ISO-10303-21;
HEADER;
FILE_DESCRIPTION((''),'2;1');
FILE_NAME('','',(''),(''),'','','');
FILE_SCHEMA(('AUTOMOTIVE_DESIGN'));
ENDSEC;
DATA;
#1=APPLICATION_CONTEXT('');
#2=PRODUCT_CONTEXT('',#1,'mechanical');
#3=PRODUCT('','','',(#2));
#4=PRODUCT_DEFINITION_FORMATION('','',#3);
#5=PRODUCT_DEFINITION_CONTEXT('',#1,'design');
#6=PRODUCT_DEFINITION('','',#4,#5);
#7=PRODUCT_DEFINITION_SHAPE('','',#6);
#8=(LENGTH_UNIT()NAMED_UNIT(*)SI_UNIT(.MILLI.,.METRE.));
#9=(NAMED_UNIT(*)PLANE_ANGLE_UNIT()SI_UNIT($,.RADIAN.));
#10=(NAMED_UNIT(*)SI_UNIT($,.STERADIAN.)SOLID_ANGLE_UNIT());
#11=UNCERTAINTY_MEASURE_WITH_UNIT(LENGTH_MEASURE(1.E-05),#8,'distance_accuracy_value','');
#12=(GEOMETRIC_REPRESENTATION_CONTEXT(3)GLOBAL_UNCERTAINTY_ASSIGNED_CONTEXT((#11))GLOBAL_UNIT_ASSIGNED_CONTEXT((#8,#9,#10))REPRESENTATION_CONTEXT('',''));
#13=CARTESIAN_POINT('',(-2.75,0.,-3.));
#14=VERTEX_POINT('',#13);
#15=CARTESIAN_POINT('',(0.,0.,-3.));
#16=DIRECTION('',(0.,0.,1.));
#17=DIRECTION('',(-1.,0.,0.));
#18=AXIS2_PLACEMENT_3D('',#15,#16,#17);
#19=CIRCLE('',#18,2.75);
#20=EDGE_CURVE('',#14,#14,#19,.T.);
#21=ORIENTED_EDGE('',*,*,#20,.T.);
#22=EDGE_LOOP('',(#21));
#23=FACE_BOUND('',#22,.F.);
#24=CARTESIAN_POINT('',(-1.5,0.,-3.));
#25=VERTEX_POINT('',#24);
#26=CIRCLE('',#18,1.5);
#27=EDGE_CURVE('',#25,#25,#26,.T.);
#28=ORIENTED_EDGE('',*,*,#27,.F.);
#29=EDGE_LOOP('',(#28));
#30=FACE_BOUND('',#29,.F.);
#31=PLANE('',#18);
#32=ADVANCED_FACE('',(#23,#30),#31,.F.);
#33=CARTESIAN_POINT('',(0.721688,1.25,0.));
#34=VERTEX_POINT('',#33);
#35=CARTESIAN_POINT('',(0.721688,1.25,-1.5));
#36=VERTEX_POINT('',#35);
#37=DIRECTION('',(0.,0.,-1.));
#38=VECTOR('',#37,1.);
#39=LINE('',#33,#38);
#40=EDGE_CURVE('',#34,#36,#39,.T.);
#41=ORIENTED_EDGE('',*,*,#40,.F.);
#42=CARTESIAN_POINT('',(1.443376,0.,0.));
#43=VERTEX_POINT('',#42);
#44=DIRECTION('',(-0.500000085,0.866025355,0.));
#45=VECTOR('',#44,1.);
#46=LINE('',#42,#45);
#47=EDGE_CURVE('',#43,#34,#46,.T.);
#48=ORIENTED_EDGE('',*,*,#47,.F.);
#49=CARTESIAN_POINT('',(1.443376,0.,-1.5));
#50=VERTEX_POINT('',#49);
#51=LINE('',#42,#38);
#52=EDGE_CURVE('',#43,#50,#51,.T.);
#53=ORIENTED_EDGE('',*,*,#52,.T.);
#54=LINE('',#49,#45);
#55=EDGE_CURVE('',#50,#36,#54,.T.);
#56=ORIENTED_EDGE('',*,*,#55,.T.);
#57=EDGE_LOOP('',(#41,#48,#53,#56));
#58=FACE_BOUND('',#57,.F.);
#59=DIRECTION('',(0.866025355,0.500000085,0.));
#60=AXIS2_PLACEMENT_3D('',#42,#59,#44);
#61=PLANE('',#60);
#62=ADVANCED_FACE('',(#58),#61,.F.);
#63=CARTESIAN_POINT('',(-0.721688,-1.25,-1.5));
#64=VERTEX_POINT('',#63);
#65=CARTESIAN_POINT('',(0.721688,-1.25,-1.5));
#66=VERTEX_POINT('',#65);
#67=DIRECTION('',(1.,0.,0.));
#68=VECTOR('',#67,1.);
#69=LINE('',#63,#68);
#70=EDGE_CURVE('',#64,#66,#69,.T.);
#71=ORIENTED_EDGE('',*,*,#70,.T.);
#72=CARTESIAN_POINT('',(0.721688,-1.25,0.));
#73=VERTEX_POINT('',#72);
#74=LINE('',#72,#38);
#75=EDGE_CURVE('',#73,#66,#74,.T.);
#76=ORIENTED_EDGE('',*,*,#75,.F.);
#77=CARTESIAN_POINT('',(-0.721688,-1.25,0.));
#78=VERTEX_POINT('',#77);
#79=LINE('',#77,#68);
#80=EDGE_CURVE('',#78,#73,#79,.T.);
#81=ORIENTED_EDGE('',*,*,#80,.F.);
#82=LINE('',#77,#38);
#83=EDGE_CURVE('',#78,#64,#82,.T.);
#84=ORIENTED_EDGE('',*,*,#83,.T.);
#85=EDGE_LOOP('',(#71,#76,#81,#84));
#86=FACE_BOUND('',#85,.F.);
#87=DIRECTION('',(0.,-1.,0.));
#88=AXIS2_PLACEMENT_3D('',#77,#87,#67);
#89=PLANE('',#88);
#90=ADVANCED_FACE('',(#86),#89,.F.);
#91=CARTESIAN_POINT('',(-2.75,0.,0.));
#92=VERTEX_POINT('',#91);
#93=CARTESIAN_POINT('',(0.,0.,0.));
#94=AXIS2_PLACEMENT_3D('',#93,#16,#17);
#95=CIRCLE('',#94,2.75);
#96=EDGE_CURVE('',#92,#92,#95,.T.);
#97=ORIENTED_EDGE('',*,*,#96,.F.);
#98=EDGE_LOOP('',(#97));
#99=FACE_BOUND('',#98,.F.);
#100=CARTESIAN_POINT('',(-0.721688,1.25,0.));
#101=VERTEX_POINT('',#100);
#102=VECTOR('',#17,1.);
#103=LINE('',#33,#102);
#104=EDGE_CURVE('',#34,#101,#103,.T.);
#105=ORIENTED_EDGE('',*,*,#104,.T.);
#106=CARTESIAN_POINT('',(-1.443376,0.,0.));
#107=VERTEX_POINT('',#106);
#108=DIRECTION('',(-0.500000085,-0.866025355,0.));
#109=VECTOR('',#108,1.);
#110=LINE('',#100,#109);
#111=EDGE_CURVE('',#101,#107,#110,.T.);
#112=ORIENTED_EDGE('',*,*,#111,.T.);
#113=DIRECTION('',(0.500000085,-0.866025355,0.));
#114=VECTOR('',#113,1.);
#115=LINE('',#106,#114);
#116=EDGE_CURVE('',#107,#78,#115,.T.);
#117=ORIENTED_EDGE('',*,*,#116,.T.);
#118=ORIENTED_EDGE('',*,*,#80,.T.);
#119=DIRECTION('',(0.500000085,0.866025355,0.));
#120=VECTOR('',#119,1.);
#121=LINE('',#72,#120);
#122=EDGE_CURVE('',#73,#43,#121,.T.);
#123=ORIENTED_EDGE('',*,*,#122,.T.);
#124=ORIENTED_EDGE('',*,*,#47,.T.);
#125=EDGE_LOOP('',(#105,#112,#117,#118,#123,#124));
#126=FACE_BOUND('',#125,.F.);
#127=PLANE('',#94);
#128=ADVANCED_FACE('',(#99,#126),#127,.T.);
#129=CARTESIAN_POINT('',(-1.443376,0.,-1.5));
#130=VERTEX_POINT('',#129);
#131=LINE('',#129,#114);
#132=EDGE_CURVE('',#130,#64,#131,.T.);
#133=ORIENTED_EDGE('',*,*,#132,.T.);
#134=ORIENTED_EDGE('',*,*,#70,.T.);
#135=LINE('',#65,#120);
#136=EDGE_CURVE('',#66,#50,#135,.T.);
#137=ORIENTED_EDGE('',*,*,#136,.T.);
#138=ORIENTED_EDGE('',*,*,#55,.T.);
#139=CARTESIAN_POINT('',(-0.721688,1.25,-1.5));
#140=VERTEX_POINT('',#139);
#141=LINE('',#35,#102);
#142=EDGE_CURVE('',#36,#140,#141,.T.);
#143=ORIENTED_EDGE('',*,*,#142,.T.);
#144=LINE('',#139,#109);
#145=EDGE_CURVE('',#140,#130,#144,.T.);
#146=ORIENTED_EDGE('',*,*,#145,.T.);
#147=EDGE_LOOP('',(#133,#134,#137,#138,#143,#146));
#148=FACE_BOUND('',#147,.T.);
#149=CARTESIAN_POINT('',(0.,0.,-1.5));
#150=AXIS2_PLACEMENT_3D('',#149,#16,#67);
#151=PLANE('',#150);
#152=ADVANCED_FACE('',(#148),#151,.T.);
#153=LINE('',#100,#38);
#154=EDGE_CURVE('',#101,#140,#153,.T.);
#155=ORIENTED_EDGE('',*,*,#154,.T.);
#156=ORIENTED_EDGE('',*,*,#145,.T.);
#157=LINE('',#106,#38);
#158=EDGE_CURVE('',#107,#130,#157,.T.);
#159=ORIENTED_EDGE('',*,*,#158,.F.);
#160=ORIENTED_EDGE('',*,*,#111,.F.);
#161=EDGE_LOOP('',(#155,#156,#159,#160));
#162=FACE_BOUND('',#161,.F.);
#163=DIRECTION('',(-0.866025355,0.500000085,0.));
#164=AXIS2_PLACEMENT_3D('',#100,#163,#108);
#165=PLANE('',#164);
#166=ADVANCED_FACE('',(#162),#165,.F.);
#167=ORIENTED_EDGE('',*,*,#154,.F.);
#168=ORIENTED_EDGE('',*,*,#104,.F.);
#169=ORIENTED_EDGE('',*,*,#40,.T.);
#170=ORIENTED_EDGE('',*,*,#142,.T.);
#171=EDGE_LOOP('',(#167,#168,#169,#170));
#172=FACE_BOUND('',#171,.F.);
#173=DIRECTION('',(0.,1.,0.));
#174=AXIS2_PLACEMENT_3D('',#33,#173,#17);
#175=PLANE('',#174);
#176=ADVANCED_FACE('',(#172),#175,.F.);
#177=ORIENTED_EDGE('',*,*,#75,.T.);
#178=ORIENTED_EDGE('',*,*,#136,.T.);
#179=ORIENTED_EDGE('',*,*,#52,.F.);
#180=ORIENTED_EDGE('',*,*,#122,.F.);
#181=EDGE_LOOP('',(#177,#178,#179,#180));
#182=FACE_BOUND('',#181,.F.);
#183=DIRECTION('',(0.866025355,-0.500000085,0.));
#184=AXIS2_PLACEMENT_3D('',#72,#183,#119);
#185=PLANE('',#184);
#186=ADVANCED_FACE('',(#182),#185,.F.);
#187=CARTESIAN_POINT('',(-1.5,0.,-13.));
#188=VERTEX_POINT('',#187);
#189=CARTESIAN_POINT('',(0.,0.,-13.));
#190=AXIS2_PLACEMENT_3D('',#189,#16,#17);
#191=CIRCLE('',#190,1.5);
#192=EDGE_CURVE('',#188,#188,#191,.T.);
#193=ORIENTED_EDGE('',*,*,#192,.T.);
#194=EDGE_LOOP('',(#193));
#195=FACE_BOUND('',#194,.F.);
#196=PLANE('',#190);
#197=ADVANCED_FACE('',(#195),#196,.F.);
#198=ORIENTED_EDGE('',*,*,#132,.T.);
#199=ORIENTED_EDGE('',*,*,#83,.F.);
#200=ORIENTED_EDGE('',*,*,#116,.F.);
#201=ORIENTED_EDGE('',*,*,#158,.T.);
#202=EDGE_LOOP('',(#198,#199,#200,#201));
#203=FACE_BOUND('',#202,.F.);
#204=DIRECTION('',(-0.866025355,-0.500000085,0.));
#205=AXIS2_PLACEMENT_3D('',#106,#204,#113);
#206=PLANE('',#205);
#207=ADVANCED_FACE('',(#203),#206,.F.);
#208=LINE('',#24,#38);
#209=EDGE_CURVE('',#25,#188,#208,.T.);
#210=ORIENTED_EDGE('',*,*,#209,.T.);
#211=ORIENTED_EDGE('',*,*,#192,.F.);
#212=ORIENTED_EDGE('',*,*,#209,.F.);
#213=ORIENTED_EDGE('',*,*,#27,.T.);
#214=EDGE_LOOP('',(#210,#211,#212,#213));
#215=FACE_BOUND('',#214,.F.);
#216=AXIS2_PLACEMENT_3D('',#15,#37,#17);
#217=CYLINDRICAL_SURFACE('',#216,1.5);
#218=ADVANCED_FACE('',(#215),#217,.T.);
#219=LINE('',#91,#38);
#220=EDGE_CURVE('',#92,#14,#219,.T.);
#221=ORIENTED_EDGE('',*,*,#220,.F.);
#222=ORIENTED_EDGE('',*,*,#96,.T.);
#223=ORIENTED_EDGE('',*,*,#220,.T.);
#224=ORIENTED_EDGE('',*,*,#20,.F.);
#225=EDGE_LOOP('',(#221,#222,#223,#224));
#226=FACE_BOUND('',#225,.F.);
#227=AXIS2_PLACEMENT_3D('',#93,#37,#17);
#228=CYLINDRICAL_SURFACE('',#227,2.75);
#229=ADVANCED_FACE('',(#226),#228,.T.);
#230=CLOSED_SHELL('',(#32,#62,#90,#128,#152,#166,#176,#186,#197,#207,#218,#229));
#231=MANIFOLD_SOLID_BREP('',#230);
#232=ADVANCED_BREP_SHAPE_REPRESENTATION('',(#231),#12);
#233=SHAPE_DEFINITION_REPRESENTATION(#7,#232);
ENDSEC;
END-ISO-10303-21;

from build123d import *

# Parameters (mm, degrees)
F3_DEPTH = 1.5


with BuildPart() as f1:
    # F0 (on Front) → F1 (revolve)
    with BuildSketch(Plane.XZ):
        Polygon((0, -13), (0, 0), (-2.75, 0), (-2.75, -3), (-1.5, -3), (-1.5, -13), align=None)
    revolve(axis=Axis((0, 0, -6.5), (0, 0, 1)))

    # F2 (on face) → F3 (cut)
    with BuildSketch(Plane.XY):
        Polygon((0.721688, 1.25), (-0.721688, 1.25), (-1.443376, 0), (-0.721688, -1.25), (0.721688, -1.25), (1.443376, 0), align=None)
    extrude(amount=-F3_DEPTH, mode=Mode.SUBTRACT)


solid = f1.part
